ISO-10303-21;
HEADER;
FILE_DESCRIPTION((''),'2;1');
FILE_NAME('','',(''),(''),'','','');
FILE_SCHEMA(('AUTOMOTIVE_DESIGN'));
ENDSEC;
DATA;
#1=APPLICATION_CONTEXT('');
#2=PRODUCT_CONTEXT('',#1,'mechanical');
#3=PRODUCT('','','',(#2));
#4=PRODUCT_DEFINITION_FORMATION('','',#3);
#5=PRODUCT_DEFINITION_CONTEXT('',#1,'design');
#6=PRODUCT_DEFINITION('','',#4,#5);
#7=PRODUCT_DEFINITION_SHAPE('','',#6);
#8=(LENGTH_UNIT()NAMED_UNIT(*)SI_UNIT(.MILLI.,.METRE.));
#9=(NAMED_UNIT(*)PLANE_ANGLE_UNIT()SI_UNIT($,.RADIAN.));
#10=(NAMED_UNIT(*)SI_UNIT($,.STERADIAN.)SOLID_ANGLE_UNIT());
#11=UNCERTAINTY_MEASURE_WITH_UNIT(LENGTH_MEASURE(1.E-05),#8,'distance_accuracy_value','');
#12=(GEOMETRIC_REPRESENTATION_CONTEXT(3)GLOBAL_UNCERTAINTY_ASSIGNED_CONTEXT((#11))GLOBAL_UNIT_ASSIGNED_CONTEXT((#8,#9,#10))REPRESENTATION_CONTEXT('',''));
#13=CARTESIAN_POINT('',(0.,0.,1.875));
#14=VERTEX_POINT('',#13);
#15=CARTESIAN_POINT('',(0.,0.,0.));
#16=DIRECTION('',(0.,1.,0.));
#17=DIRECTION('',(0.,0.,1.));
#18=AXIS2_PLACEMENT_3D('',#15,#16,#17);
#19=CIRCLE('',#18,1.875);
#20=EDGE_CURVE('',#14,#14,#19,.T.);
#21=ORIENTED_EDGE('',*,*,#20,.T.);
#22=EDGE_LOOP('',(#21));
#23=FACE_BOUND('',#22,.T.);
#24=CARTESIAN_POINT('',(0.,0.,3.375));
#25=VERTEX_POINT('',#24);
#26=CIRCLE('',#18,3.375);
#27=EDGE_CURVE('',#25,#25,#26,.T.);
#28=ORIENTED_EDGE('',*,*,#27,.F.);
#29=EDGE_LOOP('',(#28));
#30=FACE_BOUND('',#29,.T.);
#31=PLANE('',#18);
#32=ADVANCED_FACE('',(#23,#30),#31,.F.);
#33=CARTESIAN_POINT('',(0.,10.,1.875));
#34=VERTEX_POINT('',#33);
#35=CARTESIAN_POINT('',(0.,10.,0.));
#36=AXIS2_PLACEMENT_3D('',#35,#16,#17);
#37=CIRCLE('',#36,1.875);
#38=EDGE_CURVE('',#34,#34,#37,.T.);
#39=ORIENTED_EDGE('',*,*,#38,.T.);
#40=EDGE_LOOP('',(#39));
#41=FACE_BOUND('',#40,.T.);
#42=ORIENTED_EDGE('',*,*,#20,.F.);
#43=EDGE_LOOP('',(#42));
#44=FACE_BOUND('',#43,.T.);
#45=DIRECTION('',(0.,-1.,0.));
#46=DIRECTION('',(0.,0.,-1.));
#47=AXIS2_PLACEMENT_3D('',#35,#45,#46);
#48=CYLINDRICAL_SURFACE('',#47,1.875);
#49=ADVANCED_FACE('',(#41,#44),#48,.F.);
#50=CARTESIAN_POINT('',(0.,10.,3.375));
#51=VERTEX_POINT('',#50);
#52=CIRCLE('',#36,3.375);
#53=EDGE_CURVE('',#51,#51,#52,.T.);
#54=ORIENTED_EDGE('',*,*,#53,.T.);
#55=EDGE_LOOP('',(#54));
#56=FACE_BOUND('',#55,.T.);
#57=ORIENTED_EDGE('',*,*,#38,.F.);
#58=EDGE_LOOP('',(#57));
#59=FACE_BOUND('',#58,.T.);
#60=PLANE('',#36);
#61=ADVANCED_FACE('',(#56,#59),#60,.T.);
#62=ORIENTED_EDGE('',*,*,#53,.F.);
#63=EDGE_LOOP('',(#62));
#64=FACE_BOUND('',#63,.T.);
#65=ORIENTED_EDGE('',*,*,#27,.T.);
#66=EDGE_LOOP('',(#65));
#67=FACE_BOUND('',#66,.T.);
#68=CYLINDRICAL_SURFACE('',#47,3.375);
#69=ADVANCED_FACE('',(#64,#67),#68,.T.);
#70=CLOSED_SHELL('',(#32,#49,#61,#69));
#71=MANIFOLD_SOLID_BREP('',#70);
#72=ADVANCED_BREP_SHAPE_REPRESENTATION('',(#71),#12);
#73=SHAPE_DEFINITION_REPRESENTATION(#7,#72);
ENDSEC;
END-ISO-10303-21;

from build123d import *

# Parameters (mm, degrees)
ESBO_O1_R                = 3.375
ESBO_O1_R_2              = 1.875
RESSALTO_EXTRUS_O1_DEPTH = 10


with BuildPart() as part:
    # Esboço1 → Ressalto-extrusão1 (new body)
    with BuildSketch(Plane(origin=(0, 0, 0), x_dir=(1, 0, 0), z_dir=(0, 1, 0))):
        Circle(ESBO_O1_R)
        Circle(ESBO_O1_R_2, mode=Mode.SUBTRACT)
    extrude(amount=RESSALTO_EXTRUS_O1_DEPTH)


solid = part.part
